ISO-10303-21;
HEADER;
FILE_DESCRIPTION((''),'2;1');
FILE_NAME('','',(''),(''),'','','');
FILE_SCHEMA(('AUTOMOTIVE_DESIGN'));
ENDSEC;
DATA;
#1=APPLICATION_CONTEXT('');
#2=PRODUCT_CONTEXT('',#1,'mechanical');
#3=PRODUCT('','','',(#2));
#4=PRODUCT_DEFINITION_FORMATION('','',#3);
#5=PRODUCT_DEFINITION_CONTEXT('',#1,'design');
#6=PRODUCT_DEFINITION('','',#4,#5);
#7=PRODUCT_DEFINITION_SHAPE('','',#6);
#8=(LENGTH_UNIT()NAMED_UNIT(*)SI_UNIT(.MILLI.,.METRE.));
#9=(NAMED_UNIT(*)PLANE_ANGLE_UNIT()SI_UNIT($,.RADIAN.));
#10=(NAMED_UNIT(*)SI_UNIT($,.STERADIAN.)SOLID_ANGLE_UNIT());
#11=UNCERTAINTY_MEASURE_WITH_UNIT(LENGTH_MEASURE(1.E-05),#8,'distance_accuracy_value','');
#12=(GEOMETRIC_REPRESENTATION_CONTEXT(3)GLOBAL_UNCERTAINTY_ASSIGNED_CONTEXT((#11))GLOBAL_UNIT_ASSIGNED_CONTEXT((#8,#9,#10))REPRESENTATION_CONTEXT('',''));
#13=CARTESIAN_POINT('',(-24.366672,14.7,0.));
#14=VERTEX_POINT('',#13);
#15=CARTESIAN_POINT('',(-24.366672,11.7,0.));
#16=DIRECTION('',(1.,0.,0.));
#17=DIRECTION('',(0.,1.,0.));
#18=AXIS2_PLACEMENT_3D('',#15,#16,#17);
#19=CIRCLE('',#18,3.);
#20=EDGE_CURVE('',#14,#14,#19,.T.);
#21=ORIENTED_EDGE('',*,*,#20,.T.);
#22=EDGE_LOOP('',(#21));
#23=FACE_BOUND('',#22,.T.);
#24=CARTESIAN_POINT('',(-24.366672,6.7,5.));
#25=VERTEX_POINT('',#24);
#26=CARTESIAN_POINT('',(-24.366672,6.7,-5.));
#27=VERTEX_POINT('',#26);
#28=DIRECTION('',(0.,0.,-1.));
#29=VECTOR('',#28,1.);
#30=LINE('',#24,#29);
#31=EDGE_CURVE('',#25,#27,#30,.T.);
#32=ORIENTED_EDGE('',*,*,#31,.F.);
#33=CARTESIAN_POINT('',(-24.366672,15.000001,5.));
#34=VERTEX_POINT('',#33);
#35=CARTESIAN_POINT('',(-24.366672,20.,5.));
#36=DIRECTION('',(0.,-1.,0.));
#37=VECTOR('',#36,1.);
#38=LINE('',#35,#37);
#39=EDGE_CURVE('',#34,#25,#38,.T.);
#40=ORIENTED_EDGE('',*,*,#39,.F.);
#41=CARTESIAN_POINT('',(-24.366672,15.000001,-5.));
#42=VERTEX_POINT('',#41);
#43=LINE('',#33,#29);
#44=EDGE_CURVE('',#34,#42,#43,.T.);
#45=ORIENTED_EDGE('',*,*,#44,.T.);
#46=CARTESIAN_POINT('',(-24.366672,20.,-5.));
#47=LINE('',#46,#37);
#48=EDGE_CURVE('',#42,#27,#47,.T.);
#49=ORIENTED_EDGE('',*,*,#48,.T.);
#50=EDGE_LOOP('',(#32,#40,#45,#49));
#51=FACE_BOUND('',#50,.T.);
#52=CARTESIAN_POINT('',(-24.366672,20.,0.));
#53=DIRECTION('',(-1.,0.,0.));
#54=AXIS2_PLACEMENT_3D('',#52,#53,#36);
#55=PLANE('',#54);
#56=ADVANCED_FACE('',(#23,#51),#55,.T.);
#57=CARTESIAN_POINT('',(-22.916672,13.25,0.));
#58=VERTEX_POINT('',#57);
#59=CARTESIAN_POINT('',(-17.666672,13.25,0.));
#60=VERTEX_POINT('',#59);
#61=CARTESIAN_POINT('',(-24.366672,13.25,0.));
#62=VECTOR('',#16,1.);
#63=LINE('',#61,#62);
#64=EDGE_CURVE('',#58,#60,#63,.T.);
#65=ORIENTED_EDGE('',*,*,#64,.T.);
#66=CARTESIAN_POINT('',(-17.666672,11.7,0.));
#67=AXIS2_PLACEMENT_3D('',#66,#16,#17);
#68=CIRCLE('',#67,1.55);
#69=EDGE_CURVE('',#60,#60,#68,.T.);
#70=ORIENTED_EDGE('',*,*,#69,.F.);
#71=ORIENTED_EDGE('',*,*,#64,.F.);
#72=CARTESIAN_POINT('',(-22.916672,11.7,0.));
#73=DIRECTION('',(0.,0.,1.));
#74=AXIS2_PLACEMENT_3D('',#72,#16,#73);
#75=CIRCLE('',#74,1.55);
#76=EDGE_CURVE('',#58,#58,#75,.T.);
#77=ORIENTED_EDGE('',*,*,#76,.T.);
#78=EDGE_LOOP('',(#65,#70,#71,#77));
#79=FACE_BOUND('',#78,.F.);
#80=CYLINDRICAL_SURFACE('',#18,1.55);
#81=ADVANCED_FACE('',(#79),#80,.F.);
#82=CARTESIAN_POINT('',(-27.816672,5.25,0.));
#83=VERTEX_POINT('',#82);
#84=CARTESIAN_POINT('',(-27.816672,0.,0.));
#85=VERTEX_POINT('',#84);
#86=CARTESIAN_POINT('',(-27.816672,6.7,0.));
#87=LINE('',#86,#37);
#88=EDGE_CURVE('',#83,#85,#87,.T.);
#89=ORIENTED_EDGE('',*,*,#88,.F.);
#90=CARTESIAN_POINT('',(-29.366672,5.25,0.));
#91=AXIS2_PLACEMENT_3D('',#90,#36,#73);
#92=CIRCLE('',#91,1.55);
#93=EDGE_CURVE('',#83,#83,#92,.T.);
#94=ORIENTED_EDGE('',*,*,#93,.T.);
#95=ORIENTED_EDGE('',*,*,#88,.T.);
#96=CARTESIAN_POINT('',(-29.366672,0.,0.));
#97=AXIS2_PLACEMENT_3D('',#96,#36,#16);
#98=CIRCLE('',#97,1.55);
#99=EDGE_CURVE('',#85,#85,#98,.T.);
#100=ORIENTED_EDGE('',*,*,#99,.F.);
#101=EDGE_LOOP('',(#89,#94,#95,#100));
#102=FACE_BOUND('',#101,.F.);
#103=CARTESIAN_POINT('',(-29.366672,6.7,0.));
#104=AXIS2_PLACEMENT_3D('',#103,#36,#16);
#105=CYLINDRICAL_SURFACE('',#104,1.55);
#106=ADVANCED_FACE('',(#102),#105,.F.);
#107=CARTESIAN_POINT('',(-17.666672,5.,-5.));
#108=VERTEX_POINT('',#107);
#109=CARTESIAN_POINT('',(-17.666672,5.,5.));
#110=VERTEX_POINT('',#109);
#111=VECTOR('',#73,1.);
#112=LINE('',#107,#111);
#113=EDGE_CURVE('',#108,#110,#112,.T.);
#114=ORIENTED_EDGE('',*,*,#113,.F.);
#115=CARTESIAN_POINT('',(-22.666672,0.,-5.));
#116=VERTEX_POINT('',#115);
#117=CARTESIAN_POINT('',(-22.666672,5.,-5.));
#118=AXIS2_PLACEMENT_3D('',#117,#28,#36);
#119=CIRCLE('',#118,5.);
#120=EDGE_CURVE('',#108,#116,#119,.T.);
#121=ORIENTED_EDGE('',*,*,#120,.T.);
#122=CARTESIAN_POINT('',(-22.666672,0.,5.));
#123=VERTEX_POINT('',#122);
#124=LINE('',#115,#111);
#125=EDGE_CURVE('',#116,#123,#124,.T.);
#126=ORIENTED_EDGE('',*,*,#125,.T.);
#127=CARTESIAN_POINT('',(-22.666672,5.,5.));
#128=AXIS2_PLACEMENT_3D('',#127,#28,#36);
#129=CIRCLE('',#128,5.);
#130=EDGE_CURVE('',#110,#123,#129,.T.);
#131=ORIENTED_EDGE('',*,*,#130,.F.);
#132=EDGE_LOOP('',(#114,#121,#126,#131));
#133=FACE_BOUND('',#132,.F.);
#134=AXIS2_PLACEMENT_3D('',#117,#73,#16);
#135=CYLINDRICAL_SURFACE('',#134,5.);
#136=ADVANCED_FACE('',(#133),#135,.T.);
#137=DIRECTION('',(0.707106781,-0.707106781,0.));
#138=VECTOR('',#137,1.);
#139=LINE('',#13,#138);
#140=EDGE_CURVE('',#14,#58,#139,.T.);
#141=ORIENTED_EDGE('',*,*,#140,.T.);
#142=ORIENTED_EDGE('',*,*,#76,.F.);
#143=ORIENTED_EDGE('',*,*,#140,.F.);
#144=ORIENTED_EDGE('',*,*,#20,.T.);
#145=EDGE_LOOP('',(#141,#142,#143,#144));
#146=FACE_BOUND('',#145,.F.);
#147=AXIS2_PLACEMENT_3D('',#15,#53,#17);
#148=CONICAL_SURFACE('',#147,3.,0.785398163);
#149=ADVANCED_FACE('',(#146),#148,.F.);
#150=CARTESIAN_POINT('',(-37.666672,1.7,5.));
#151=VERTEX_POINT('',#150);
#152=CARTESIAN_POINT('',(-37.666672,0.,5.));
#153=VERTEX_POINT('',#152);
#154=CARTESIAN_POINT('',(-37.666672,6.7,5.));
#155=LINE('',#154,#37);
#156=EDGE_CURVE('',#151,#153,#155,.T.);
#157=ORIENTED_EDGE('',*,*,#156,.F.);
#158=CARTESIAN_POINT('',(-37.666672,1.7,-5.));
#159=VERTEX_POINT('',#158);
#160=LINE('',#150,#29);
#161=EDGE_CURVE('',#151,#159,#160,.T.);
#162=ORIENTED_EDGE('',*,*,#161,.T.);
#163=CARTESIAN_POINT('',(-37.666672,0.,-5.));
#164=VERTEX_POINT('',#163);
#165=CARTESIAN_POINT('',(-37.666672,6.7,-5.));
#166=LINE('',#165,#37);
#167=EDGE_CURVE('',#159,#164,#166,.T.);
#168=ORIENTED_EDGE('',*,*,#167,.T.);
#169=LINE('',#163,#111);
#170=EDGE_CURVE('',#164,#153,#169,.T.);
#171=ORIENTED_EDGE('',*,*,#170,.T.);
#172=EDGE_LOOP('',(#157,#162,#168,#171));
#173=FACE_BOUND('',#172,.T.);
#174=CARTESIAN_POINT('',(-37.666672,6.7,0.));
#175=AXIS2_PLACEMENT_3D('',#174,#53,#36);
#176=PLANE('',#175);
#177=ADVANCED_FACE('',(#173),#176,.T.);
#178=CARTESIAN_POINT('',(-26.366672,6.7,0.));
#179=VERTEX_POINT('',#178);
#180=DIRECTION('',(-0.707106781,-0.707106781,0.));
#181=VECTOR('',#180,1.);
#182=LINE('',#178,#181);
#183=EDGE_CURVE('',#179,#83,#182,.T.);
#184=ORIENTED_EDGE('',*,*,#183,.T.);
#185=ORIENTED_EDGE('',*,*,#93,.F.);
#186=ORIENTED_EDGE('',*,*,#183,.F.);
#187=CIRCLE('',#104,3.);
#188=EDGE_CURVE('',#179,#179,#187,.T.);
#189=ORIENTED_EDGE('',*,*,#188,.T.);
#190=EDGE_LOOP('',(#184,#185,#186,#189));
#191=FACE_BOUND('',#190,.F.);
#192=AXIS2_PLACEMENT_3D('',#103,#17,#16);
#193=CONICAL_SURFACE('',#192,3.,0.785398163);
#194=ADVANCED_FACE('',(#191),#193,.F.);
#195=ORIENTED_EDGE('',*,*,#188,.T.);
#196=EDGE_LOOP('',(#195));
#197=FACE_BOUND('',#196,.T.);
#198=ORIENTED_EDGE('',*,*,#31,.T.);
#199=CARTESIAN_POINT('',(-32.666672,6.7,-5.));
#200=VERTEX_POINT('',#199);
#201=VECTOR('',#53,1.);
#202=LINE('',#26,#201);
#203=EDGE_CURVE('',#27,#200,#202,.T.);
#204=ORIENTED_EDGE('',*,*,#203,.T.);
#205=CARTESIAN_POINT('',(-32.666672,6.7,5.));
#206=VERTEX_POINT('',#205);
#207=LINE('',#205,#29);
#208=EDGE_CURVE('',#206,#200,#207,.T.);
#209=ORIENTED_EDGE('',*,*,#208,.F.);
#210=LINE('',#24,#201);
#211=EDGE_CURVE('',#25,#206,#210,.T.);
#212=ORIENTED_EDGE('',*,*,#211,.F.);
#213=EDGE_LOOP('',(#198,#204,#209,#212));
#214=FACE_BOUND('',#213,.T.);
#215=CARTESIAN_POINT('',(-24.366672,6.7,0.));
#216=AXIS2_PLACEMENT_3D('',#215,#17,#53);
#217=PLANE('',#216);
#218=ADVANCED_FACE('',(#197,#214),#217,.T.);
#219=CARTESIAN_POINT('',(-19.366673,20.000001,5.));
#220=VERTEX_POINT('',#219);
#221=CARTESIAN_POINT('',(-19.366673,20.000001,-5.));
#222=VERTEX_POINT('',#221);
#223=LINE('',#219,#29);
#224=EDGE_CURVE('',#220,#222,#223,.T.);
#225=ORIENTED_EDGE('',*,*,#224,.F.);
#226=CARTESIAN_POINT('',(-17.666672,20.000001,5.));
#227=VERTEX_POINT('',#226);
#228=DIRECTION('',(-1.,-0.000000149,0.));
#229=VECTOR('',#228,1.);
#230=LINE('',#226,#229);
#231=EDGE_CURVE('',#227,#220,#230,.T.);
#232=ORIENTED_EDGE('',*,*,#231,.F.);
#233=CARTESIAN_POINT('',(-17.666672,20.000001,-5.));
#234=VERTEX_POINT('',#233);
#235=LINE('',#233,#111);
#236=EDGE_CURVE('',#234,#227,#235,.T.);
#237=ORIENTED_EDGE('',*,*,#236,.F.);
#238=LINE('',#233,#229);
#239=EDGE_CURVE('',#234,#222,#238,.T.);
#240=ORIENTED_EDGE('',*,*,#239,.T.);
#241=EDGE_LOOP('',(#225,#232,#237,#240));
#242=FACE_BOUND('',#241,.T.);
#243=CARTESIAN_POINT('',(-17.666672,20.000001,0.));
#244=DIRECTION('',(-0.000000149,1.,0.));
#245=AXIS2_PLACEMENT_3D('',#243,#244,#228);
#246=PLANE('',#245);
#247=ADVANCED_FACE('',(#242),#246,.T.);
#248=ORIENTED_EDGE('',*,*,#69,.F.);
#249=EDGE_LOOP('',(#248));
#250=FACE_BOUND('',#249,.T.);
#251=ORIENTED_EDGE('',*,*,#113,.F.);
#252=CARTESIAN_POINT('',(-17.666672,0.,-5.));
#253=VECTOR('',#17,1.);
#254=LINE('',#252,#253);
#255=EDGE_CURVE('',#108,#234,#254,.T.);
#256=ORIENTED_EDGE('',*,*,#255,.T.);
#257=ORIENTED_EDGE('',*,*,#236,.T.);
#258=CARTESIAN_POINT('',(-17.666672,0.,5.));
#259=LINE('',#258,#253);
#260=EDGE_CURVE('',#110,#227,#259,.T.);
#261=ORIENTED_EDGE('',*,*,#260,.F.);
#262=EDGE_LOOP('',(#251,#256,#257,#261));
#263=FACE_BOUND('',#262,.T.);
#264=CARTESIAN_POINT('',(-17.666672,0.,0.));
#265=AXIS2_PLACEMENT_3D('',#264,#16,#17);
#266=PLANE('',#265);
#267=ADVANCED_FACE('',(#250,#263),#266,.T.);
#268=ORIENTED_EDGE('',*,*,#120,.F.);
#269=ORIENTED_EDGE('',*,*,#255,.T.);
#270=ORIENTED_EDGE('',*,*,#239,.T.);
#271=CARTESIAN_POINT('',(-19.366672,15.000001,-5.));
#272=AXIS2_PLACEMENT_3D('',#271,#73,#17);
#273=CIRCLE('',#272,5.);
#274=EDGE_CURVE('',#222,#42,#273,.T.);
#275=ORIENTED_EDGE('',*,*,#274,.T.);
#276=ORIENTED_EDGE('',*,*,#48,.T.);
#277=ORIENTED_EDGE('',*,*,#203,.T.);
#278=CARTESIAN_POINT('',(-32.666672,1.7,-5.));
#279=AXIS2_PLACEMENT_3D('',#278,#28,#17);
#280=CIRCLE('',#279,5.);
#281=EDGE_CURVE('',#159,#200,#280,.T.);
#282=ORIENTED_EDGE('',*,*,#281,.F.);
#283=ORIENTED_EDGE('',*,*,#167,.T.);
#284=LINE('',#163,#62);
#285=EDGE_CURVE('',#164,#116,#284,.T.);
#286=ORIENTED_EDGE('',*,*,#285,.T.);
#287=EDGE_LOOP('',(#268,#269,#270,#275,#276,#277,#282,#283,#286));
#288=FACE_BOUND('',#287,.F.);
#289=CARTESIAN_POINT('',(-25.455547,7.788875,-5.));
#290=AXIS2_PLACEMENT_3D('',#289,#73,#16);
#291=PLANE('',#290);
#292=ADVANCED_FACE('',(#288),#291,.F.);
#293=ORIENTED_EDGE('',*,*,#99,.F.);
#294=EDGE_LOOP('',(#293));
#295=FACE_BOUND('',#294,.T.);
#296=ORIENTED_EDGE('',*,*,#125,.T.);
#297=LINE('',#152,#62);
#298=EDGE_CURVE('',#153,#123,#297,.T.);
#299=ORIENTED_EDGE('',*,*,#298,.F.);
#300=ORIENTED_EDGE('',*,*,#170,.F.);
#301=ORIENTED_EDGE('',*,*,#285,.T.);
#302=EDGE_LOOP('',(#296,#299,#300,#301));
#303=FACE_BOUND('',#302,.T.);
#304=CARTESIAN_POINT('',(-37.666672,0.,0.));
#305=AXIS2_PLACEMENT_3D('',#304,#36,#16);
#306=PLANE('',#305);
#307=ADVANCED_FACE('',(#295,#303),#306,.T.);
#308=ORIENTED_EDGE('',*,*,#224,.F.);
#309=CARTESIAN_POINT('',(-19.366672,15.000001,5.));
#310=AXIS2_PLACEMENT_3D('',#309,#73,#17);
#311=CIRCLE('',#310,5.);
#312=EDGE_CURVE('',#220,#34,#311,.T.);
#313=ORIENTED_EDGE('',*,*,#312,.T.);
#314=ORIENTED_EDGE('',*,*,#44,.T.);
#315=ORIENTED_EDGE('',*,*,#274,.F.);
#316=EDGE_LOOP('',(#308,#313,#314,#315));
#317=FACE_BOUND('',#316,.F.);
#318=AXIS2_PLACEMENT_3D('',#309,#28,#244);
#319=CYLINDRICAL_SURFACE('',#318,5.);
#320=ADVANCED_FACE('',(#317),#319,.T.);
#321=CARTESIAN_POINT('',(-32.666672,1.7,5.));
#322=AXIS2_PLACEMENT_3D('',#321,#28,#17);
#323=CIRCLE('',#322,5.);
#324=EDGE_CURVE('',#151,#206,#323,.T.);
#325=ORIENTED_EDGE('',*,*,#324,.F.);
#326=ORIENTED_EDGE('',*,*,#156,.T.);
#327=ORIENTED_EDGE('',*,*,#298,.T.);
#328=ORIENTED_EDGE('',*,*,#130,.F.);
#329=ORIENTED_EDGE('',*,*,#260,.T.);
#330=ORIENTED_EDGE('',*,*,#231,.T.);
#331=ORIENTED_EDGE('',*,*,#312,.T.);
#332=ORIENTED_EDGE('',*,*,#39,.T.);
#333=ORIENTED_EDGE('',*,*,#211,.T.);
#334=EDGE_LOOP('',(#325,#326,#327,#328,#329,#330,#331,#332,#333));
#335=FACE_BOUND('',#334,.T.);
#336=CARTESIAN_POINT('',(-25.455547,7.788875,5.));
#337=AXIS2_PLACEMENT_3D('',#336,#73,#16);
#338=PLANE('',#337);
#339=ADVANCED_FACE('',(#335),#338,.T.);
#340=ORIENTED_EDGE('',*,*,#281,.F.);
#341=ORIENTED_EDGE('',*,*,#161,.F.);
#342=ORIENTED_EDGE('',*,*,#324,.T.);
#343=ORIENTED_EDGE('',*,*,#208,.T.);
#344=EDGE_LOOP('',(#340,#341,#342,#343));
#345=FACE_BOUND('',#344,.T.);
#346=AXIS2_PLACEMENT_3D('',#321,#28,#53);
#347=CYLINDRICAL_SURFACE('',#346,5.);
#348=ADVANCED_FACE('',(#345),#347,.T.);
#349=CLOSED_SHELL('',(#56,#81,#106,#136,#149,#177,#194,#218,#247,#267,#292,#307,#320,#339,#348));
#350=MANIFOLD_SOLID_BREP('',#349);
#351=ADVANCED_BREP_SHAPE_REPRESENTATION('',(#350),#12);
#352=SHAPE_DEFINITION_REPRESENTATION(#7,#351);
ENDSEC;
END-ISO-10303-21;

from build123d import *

# Parameters (mm, degrees)
F1_DEPTH       = 5
F4_D           = 3.1
F4_CSINK_D     = 6
F4_CSINK_ANGLE = 90
F5_D           = 3.1
F5_CSINK_D     = 6
F5_CSINK_ANGLE = 90
F6_R           = 5
F7_R           = 5


with BuildPart() as f1:
    # F0 (on Top) → F1 (new body, symmetric)
    with BuildSketch(Plane.XY):
        Polygon((-37.666672, 6.7), (-37.666672, 0), (-17.666672, 0), (-17.666672, 20.000001), (-24.366672, 20), (-24.366672, 6.7), align=None)
    extrude(amount=F1_DEPTH, both=True)

    # F4 (through all)
    with Locations(Plane(origin=(-24.366672, 0, 0), x_dir=(0, -1, 0), z_dir=(-1, 0, 0))):
        with Locations((-11.7, 0)):
            CounterSinkHole(F4_D / 2, F4_CSINK_D / 2, counter_sink_angle=F4_CSINK_ANGLE)

    # F5 (through all)
    with Locations(Plane(origin=(0, 6.7, 0), x_dir=(-1, 0, 0), z_dir=(0, 1, 0))):
        with Locations((29.366672, 0)):
            CounterSinkHole(F5_D / 2, F5_CSINK_D / 2, counter_sink_angle=F5_CSINK_ANGLE)

    # F6
    f6_edges = [f1.edges().sort_by_distance(p)[0] for p in [
        (-17.666672, 0, 0),
    ]]
    fillet(f6_edges, radius=F6_R)

    # F7
    f7_edges = [f1.edges().sort_by_distance(p)[0] for p in [
        (-24.366672, 20, 0),
        (-37.666672, 6.7, 0),
    ]]
    fillet(f7_edges, radius=F7_R)


solid = f1.part
